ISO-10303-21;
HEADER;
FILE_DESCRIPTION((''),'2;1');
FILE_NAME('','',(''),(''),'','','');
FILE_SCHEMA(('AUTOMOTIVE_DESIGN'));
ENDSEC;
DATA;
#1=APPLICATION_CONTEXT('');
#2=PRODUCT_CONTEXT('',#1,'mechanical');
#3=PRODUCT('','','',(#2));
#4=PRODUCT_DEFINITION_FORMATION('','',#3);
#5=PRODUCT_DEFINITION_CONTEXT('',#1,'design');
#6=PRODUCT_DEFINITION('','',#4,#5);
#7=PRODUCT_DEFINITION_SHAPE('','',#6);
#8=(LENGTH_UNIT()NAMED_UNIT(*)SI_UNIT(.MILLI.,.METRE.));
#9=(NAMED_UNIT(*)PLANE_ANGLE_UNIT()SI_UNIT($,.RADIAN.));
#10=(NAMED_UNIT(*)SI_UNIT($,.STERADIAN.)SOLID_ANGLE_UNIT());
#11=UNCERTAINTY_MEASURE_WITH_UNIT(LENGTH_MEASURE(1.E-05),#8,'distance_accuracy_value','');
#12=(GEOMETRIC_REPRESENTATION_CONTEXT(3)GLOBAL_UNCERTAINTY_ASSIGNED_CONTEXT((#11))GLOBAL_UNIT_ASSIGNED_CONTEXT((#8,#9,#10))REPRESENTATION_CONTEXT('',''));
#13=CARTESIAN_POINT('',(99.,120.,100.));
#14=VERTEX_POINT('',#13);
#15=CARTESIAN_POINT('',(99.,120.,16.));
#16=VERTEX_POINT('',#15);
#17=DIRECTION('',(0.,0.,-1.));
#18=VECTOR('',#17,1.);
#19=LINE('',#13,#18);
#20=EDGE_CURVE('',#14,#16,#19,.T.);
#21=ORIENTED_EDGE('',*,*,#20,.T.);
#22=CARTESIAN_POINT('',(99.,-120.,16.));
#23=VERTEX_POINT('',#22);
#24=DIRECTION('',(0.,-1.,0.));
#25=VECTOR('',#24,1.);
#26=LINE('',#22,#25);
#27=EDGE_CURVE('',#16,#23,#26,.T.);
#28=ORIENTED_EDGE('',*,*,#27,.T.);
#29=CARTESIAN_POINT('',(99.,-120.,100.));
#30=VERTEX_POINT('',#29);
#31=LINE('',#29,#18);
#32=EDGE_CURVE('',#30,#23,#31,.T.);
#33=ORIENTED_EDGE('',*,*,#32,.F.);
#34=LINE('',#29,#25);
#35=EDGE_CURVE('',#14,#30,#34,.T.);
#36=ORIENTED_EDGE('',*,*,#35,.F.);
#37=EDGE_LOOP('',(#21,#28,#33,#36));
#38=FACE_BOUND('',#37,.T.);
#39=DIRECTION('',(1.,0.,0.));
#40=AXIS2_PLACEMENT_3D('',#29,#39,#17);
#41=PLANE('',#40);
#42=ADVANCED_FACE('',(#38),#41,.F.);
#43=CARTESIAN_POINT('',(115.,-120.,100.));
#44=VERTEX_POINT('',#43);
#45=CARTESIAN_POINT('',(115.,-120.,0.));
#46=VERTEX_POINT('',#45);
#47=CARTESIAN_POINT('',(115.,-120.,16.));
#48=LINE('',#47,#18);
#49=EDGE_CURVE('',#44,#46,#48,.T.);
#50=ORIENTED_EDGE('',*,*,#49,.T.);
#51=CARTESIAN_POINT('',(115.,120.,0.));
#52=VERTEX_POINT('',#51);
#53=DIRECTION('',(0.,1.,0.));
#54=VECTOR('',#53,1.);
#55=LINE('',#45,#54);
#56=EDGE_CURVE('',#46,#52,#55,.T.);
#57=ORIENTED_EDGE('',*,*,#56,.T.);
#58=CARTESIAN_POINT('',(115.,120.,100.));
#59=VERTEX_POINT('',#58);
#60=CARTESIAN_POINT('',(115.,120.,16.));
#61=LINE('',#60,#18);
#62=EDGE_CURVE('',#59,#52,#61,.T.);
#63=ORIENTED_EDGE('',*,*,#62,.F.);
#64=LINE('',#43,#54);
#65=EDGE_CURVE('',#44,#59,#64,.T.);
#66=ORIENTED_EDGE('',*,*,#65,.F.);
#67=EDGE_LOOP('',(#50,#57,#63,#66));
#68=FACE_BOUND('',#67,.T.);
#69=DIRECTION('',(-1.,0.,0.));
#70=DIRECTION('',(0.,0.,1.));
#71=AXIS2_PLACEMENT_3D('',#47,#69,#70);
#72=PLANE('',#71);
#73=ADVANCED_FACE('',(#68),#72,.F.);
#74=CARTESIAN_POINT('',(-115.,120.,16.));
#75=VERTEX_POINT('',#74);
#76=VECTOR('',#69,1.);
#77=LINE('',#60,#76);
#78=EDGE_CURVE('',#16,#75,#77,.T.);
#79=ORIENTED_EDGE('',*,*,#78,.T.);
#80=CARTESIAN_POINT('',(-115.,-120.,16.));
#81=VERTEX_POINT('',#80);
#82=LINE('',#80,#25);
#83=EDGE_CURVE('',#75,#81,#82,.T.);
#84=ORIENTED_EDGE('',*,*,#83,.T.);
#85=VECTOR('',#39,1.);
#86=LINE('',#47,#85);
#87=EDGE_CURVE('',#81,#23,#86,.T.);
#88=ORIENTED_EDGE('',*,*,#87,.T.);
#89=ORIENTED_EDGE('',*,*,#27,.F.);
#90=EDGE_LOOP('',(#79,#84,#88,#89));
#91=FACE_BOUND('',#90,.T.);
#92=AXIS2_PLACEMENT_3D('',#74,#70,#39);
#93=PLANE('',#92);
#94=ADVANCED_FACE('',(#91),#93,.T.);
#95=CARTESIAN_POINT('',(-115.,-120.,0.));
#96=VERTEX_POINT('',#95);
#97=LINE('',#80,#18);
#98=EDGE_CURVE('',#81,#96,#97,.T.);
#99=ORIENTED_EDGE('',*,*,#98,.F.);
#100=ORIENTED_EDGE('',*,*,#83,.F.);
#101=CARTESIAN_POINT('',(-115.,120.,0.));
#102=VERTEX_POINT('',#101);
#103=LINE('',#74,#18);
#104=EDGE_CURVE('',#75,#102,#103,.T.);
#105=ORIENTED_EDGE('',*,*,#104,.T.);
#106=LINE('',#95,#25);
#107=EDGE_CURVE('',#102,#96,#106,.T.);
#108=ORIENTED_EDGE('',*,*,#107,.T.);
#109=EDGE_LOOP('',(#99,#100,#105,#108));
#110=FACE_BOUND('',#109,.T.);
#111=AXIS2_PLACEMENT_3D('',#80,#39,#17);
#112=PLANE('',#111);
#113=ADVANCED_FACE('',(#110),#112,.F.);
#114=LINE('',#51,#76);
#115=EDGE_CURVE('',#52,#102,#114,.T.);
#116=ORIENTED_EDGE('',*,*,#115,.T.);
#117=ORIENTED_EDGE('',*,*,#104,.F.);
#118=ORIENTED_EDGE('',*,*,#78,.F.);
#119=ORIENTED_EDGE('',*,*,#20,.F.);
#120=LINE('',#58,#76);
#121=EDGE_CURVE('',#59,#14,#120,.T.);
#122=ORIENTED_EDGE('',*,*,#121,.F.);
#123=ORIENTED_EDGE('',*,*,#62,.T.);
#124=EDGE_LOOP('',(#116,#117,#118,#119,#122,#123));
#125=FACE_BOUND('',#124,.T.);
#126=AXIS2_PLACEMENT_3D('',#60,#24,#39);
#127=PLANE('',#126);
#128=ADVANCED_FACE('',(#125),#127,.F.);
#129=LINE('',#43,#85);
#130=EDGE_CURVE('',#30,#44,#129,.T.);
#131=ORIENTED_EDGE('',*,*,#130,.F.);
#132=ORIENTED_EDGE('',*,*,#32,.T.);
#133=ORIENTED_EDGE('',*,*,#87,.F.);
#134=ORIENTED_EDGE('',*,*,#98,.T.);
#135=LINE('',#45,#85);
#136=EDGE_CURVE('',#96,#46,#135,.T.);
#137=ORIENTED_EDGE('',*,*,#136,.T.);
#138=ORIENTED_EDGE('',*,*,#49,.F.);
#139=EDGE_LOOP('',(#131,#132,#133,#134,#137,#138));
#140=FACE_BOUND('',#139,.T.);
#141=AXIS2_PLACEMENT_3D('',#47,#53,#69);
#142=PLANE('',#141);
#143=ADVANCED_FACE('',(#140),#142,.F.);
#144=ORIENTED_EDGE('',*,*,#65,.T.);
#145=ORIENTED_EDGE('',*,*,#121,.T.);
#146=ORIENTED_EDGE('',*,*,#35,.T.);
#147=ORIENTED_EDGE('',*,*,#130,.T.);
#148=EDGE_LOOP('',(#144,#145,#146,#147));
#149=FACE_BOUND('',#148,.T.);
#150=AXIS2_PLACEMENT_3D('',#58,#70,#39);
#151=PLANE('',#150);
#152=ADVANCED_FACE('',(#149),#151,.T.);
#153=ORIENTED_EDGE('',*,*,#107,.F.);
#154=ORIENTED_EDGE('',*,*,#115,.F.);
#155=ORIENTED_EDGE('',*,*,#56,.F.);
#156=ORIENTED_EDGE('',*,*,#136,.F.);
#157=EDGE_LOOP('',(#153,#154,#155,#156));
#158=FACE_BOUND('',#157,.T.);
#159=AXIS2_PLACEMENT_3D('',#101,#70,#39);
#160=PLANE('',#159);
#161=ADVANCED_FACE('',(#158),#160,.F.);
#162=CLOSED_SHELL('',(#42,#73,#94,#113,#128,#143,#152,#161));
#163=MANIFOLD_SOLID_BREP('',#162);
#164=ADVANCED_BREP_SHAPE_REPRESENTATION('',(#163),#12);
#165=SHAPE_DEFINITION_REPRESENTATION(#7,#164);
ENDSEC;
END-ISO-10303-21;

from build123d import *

# Parameters (mm, degrees)
SKETCH_1_W             = 230
SKETCH_1_H             = 240
EXTRUDE_1_DEPTH        = 16
SKETCH_3_R             = 13
CUT_EXTRUDE_1_DEPTH    = 167.976046186
PATTERN_LINEAR_1_COUNT = 3
PATTERN_LINEAR_1_PITCH = 80
SKETCH_4_W             = 16
SKETCH_4_H             = 240
EXTRUDE_2_DEPTH        = 84
SKETCH_5_R             = 13
CUT_EXTRUDE_2_DEPTH    = 265.945277369
PATTERN_LINEAR_2_COUNT = 3
PATTERN_LINEAR_2_PITCH = 80
SKETCH_6_W             = 214
SKETCH_6_H             = 240
EXTRUDE_3_DEPTH        = 16
SKETCH_7_W             = 84
SKETCH_7_H             = 240
EXTRUDE_4_DEPTH        = 16


with BuildPart() as part:
    # 草图1 → 凸台-拉伸1 (new body)
    with BuildSketch(Plane.XY):
        Rectangle(SKETCH_1_W, SKETCH_1_H)
    extrude(amount=EXTRUDE_1_DEPTH)

    # 草图3 → 切除-拉伸1 (cut, through all)
    with BuildSketch(Plane.XY.offset(16)):
        with Locations((-73, 80)):
            Circle(SKETCH_3_R)
        with Locations((-14.5, 80)):
            Circle(SKETCH_3_R)
        with Locations((43.5, 80)):
            Circle(SKETCH_3_R)
    cut_extrude_1 = extrude(amount=-CUT_EXTRUDE_1_DEPTH, mode=Mode.SUBTRACT)

    # 阵列(线性)1: 切除-拉伸1 ×3
    with Locations(*[(0, -i * PATTERN_LINEAR_1_PITCH, 0) for i in range(1, PATTERN_LINEAR_1_COUNT)]):
        add(cut_extrude_1, mode=Mode.SUBTRACT)

    # 草图4 → 凸台-拉伸2 (add)
    with BuildSketch(Plane.XY.offset(16)):
        with Locations((107, 0)):
            Rectangle(SKETCH_4_W, SKETCH_4_H)
    extrude(amount=EXTRUDE_2_DEPTH)

    # 草图5 → 切除-拉伸2 (cut, through all)
    with BuildSketch(Plane.ZY.offset(-99)):
        with Locations((48, 80)):
            Circle(SKETCH_5_R)
    cut_extrude_2 = extrude(amount=-CUT_EXTRUDE_2_DEPTH, mode=Mode.SUBTRACT)

    # 阵列(线性)2: 切除-拉伸2 ×3
    with Locations(*[(0, -i * PATTERN_LINEAR_2_PITCH, 0) for i in range(1, PATTERN_LINEAR_2_COUNT)]):
        add(cut_extrude_2, mode=Mode.SUBTRACT)

    # 草图6 → 凸台-拉伸3 (add)
    with BuildSketch(Plane.XY.offset(16)):
        with Locations((-8, 0)):
            Rectangle(SKETCH_6_W, SKETCH_6_H)
    extrude(amount=-EXTRUDE_3_DEPTH)

    # 草图7 → 凸台-拉伸4 (add)
    with BuildSketch(Plane.ZY.offset(-99)):
        with Locations((58, 0)):
            Rectangle(SKETCH_7_W, SKETCH_7_H)
    extrude(amount=-EXTRUDE_4_DEPTH)


solid = part.part
